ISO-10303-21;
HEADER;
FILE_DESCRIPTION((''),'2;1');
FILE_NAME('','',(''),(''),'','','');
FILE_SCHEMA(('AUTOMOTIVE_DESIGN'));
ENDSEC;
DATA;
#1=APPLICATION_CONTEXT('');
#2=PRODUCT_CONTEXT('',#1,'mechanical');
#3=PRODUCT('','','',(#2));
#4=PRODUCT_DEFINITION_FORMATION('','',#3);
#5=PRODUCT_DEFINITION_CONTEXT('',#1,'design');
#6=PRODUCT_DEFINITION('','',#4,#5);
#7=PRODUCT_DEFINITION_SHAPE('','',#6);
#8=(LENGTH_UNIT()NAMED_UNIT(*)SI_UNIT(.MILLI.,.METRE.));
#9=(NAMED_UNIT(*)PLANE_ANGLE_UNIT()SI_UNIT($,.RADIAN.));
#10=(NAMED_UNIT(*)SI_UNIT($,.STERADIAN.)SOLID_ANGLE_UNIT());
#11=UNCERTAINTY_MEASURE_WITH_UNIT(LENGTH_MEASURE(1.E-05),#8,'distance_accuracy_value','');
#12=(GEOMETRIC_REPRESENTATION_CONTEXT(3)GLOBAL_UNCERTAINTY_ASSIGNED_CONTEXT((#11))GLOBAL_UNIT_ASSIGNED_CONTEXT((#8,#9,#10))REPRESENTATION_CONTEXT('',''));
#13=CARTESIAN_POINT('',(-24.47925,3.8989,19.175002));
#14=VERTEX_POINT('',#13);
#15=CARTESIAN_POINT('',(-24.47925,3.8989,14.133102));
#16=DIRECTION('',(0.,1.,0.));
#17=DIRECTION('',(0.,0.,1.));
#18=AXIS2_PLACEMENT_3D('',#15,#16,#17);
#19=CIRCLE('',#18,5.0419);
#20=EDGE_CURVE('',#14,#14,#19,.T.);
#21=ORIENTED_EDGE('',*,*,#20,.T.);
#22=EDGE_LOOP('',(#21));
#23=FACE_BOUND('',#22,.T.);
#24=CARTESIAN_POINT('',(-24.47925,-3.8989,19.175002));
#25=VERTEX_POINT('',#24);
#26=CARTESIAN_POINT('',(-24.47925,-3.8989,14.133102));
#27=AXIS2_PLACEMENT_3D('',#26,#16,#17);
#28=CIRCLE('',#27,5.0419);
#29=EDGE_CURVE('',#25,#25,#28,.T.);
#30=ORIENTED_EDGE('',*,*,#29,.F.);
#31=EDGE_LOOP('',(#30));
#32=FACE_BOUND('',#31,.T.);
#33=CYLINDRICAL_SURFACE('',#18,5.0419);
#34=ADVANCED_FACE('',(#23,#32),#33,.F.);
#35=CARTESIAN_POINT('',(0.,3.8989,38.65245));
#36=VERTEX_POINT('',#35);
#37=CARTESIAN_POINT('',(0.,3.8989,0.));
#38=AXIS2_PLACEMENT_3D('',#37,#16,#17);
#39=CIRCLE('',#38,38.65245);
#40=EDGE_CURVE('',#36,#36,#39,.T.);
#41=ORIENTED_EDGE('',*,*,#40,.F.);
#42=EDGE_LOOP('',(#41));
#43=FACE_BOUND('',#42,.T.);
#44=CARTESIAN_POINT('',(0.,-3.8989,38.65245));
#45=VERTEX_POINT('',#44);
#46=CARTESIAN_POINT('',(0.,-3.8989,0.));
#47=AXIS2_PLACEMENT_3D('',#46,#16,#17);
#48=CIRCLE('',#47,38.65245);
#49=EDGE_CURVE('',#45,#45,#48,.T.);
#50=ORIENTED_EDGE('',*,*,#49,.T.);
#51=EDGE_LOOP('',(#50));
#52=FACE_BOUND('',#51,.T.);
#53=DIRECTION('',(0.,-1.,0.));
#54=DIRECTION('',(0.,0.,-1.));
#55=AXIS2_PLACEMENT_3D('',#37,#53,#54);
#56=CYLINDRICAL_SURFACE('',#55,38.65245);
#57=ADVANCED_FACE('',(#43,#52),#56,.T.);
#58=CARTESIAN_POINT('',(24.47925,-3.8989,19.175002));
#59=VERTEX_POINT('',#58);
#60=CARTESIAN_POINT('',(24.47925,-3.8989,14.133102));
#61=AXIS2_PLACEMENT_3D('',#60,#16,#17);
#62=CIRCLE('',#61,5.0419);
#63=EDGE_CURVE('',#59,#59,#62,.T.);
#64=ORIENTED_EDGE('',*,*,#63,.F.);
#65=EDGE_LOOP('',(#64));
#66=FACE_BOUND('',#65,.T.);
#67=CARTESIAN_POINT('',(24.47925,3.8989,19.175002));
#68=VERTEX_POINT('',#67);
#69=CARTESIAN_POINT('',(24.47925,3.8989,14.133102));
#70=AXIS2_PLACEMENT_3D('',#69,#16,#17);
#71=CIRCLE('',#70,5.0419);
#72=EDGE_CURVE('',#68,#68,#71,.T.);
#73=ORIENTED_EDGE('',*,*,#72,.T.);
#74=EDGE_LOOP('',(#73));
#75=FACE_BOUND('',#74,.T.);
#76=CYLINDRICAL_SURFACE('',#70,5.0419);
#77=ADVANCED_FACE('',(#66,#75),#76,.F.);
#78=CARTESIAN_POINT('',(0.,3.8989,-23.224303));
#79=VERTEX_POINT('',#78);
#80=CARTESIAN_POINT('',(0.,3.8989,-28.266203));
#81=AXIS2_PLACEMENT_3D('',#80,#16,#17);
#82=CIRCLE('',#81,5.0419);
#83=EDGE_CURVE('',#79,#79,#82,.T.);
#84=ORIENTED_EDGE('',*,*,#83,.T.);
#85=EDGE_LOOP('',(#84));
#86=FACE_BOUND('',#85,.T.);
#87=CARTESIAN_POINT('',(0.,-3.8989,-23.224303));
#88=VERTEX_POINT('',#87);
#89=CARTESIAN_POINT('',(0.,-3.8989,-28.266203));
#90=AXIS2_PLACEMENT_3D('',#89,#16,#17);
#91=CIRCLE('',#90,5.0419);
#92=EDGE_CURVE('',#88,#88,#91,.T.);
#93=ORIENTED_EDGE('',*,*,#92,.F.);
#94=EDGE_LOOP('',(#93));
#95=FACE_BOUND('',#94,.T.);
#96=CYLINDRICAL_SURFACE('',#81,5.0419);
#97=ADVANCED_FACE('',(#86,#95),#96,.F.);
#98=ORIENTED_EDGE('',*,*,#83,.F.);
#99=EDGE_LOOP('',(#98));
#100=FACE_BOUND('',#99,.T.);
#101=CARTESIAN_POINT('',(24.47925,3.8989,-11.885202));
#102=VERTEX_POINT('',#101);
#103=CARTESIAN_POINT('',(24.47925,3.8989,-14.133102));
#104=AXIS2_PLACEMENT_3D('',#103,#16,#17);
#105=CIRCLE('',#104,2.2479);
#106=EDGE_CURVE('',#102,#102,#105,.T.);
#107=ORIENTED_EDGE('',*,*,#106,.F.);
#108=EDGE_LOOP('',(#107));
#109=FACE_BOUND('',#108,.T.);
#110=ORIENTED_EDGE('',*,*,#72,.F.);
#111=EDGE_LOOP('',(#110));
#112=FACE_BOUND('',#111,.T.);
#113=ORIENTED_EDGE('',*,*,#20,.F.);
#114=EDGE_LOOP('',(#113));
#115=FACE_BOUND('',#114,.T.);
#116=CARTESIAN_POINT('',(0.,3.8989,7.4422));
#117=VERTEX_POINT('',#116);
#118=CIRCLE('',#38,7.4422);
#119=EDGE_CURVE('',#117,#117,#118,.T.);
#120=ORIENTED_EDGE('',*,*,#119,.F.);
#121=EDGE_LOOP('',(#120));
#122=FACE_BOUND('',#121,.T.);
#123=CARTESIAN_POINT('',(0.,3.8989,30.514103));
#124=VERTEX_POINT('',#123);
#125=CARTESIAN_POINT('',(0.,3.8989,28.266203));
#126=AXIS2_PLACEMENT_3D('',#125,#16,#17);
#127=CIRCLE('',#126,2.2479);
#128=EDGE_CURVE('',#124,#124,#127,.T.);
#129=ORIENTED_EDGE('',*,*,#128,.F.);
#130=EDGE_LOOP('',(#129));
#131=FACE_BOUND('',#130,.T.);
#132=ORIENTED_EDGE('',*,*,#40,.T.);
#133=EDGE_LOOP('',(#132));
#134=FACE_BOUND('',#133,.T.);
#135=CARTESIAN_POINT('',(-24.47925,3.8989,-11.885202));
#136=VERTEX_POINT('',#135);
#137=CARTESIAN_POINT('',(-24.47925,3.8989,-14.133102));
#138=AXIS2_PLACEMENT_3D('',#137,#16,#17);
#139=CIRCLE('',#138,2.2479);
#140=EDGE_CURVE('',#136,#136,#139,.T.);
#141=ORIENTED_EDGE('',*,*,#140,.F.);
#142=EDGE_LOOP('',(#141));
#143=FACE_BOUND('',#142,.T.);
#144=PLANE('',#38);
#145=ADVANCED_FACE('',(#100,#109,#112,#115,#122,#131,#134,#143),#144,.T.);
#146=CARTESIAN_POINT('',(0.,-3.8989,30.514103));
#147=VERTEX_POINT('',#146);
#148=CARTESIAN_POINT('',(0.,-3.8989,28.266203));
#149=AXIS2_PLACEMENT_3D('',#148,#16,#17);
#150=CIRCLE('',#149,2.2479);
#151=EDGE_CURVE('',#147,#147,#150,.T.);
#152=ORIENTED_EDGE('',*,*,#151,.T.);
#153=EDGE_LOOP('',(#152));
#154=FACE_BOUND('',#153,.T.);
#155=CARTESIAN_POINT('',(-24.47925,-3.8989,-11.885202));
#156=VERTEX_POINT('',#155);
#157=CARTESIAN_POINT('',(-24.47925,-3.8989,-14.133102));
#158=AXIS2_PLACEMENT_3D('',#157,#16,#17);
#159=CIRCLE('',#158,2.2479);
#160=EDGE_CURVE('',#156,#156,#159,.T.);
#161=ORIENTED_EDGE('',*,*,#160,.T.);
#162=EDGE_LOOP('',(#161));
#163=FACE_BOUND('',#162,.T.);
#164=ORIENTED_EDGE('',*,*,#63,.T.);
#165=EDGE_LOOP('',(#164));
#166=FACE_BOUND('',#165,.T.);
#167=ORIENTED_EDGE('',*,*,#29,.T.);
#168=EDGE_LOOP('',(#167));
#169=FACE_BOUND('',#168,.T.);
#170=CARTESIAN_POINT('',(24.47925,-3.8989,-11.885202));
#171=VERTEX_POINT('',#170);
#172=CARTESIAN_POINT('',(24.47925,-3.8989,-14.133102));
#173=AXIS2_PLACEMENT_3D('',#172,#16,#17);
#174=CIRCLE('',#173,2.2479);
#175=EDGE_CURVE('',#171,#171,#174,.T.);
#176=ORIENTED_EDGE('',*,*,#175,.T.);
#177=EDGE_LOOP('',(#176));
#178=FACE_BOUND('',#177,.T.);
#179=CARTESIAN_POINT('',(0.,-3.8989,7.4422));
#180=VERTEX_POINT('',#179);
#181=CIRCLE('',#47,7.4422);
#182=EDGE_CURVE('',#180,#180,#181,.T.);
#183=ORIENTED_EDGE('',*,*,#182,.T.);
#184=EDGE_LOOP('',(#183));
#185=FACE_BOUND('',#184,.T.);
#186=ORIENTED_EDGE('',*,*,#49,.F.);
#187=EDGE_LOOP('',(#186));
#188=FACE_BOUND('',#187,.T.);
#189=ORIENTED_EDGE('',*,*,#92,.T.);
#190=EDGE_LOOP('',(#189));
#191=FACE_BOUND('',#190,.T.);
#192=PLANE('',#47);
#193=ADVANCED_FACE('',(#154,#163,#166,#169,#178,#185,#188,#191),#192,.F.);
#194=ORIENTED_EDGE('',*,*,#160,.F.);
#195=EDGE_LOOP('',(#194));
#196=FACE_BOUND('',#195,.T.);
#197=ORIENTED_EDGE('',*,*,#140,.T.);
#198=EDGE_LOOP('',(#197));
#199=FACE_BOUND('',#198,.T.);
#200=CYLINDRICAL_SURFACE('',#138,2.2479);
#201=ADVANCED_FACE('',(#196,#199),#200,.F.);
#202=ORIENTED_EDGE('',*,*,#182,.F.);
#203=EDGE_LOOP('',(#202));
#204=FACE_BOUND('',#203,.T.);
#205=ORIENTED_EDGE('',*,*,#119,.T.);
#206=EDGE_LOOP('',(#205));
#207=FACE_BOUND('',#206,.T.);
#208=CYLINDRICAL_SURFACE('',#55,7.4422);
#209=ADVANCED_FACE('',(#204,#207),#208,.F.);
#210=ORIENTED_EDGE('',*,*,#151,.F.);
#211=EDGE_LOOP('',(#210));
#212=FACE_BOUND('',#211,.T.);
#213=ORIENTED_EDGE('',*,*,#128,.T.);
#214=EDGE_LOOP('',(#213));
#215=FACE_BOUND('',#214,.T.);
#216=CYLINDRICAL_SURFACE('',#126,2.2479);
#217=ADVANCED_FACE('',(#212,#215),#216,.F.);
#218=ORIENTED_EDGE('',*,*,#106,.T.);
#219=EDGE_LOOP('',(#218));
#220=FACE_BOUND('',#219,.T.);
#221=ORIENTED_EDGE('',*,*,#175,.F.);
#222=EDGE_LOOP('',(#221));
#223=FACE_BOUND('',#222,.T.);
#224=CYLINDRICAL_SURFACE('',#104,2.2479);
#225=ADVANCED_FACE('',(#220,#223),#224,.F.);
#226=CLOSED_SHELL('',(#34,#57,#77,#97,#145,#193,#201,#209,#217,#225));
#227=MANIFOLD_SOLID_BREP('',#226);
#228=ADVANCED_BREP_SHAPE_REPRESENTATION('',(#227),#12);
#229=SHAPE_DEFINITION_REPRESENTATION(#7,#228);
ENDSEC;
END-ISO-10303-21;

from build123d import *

# Parameters (mm, degrees)
SKETCH1_R               = 38.65245
SKETCH1_R_2             = 7.4422
BOSS_EXTRUDE1_DEPTH     = 3.8989
F_3_8_CLEARANCE_HOLE1_D = 10.0838
F_8_CLEARANCE_HOLE1_D   = 4.4958


with BuildPart() as part:
    # Sketch1 → Boss-Extrude1 (new, symmetric)
    with BuildSketch(Plane(origin=(0, 0, 0), x_dir=(1, 0, 0), z_dir=(0, 1, 0))):
        with Locations(Location((0, 0, 0), (0, 0, 270))):
            Circle(SKETCH1_R)
        with Locations(Location((0, 0, 0), (0, 0, 270))):
            Circle(SKETCH1_R_2, mode=Mode.SUBTRACT)
    extrude(amount=BOSS_EXTRUDE1_DEPTH, both=True)

    # 3/8 Clearance Hole1 (through all)
    with Locations(Plane(origin=(0, 3.8989, 0), x_dir=(1, 0, 0), z_dir=(0, 1, 0))):
        with Locations((0, 28.266203154), (24.47925, -14.133101577), (-24.47925, -14.133101577)):
            Hole(F_3_8_CLEARANCE_HOLE1_D / 2)

    # #8 Clearance Hole1 (through all)
    with Locations(Plane(origin=(0, 3.8989, 0), x_dir=(1, 0, 0), z_dir=(0, 1, 0))):
        with Locations((24.47925, 14.133101577), (0, -28.266203154), (-24.47925, 14.133101577)):
            Hole(F_8_CLEARANCE_HOLE1_D / 2)


solid = part.part
